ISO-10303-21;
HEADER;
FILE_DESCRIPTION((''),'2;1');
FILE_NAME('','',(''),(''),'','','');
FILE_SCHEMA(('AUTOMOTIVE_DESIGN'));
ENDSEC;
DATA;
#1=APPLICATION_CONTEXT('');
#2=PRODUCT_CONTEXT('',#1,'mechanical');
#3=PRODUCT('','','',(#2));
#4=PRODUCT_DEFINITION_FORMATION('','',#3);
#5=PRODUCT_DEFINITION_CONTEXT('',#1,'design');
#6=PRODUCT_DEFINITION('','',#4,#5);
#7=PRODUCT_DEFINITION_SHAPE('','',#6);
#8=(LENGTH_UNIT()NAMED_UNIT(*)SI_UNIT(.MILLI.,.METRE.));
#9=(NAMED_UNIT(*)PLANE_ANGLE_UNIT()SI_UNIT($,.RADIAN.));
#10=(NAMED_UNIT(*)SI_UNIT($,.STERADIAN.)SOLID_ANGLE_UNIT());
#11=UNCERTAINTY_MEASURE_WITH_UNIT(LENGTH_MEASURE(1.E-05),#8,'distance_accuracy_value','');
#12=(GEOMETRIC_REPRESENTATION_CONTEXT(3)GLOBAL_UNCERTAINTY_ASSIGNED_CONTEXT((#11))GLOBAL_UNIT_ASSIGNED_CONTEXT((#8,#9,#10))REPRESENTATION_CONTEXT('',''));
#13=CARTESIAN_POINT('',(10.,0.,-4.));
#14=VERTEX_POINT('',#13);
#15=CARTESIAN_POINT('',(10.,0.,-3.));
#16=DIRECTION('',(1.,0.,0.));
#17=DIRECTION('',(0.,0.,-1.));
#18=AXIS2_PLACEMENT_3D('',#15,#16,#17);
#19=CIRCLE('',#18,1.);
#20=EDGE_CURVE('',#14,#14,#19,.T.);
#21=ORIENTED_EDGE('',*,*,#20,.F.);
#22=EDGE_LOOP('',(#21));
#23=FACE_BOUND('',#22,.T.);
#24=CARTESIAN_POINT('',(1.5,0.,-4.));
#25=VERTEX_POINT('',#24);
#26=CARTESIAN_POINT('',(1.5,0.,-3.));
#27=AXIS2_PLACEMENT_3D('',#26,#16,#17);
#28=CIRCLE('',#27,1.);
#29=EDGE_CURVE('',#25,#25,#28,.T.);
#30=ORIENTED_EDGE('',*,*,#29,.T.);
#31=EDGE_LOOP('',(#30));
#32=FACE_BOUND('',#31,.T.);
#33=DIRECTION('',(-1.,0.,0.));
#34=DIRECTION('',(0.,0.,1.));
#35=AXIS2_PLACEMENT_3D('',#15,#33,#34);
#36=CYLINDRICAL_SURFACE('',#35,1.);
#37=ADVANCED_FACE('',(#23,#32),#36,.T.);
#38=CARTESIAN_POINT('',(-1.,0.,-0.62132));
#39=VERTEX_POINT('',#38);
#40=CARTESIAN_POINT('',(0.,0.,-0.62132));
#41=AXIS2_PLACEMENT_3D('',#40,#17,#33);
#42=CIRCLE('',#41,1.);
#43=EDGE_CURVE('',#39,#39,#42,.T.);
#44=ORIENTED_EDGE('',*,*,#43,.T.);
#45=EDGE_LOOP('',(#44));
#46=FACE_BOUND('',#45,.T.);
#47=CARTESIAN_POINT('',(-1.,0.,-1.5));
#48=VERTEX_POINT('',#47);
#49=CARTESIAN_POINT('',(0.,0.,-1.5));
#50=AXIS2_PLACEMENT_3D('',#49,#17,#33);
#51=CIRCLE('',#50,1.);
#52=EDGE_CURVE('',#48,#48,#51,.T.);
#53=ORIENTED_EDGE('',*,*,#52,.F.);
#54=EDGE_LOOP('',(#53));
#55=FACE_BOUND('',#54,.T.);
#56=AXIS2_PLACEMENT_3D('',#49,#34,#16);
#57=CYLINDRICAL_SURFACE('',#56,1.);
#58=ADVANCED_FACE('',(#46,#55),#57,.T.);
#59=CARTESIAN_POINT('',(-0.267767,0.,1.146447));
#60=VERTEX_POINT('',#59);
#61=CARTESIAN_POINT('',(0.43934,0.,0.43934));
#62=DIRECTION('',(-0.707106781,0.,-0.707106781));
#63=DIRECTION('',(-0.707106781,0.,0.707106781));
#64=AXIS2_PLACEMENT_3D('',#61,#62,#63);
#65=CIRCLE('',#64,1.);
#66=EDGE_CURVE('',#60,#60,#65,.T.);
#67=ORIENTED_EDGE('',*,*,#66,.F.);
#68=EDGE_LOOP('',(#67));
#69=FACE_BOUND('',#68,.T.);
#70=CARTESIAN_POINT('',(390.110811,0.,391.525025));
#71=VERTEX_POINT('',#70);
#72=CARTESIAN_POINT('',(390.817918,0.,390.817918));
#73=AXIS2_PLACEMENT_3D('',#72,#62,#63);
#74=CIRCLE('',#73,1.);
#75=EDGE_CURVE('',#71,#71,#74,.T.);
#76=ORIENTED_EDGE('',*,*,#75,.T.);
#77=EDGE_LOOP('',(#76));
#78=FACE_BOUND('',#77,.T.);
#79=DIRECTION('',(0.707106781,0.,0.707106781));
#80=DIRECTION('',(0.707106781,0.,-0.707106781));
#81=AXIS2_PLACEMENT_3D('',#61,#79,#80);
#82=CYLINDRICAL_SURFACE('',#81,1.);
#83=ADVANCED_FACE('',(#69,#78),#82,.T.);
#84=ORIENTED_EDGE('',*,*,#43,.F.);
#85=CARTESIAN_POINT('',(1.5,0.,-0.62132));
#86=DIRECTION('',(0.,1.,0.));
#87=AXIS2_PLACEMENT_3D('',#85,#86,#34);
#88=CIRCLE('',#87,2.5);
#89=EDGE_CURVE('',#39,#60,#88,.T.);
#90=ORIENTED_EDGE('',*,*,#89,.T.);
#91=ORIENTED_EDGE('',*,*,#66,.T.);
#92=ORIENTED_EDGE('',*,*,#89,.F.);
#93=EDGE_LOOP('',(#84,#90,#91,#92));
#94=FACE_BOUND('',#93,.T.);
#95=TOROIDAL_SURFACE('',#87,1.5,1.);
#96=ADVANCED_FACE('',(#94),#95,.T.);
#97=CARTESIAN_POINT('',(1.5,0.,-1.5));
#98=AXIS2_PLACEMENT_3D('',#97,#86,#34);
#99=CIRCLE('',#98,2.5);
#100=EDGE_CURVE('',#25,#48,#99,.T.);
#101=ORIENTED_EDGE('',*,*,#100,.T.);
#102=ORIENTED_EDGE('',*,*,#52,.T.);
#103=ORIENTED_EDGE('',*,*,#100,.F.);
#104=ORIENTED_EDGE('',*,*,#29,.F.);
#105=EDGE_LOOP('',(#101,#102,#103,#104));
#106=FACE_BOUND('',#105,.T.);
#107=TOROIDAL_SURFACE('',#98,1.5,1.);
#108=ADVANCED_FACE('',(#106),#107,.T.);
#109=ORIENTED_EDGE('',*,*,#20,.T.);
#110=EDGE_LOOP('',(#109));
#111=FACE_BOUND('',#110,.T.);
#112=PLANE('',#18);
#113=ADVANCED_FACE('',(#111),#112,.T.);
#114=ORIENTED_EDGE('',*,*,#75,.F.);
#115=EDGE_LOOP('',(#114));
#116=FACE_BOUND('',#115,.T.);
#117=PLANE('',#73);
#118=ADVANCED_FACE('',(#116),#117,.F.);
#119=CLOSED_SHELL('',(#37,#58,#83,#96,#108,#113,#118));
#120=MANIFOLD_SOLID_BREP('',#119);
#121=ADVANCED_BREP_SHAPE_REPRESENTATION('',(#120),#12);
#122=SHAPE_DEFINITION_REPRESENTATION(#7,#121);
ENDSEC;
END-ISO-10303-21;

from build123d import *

# Parameters (mm, degrees)
SKETCH4_R = 1


with BuildPart() as part:
    # Sweep1: sweep along a path in Sketch1
    with BuildLine(Plane(origin=(0, 0, 0), x_dir=(1, 0, 0), z_dir=(0, 1, 0))) as sweep1_path:
        Line((10, 3), (1.5, 3))
        ThreePointArc((1.5, 3), (0.439339828, 2.560660172), (0, 1.5))
        Line((0, 1.5), (0, 0.621320344))
        ThreePointArc((0, 0.621320344), (0.114180701, 0.047295195), (0.439339828, -0.439339828))
        Line((0.439339828, -0.439339828), (390.817917962, -390.817917962))
    # Sketch4 → Sweep1 (sweep)
    with BuildSketch(Plane(origin=(10, 0, 0), x_dir=(0, 0, -1), z_dir=(1, 0, 0))):
        with Locations((3, 0)):
            Circle(SKETCH4_R)
    sweep(path=sweep1_path.line)


solid = part.part
